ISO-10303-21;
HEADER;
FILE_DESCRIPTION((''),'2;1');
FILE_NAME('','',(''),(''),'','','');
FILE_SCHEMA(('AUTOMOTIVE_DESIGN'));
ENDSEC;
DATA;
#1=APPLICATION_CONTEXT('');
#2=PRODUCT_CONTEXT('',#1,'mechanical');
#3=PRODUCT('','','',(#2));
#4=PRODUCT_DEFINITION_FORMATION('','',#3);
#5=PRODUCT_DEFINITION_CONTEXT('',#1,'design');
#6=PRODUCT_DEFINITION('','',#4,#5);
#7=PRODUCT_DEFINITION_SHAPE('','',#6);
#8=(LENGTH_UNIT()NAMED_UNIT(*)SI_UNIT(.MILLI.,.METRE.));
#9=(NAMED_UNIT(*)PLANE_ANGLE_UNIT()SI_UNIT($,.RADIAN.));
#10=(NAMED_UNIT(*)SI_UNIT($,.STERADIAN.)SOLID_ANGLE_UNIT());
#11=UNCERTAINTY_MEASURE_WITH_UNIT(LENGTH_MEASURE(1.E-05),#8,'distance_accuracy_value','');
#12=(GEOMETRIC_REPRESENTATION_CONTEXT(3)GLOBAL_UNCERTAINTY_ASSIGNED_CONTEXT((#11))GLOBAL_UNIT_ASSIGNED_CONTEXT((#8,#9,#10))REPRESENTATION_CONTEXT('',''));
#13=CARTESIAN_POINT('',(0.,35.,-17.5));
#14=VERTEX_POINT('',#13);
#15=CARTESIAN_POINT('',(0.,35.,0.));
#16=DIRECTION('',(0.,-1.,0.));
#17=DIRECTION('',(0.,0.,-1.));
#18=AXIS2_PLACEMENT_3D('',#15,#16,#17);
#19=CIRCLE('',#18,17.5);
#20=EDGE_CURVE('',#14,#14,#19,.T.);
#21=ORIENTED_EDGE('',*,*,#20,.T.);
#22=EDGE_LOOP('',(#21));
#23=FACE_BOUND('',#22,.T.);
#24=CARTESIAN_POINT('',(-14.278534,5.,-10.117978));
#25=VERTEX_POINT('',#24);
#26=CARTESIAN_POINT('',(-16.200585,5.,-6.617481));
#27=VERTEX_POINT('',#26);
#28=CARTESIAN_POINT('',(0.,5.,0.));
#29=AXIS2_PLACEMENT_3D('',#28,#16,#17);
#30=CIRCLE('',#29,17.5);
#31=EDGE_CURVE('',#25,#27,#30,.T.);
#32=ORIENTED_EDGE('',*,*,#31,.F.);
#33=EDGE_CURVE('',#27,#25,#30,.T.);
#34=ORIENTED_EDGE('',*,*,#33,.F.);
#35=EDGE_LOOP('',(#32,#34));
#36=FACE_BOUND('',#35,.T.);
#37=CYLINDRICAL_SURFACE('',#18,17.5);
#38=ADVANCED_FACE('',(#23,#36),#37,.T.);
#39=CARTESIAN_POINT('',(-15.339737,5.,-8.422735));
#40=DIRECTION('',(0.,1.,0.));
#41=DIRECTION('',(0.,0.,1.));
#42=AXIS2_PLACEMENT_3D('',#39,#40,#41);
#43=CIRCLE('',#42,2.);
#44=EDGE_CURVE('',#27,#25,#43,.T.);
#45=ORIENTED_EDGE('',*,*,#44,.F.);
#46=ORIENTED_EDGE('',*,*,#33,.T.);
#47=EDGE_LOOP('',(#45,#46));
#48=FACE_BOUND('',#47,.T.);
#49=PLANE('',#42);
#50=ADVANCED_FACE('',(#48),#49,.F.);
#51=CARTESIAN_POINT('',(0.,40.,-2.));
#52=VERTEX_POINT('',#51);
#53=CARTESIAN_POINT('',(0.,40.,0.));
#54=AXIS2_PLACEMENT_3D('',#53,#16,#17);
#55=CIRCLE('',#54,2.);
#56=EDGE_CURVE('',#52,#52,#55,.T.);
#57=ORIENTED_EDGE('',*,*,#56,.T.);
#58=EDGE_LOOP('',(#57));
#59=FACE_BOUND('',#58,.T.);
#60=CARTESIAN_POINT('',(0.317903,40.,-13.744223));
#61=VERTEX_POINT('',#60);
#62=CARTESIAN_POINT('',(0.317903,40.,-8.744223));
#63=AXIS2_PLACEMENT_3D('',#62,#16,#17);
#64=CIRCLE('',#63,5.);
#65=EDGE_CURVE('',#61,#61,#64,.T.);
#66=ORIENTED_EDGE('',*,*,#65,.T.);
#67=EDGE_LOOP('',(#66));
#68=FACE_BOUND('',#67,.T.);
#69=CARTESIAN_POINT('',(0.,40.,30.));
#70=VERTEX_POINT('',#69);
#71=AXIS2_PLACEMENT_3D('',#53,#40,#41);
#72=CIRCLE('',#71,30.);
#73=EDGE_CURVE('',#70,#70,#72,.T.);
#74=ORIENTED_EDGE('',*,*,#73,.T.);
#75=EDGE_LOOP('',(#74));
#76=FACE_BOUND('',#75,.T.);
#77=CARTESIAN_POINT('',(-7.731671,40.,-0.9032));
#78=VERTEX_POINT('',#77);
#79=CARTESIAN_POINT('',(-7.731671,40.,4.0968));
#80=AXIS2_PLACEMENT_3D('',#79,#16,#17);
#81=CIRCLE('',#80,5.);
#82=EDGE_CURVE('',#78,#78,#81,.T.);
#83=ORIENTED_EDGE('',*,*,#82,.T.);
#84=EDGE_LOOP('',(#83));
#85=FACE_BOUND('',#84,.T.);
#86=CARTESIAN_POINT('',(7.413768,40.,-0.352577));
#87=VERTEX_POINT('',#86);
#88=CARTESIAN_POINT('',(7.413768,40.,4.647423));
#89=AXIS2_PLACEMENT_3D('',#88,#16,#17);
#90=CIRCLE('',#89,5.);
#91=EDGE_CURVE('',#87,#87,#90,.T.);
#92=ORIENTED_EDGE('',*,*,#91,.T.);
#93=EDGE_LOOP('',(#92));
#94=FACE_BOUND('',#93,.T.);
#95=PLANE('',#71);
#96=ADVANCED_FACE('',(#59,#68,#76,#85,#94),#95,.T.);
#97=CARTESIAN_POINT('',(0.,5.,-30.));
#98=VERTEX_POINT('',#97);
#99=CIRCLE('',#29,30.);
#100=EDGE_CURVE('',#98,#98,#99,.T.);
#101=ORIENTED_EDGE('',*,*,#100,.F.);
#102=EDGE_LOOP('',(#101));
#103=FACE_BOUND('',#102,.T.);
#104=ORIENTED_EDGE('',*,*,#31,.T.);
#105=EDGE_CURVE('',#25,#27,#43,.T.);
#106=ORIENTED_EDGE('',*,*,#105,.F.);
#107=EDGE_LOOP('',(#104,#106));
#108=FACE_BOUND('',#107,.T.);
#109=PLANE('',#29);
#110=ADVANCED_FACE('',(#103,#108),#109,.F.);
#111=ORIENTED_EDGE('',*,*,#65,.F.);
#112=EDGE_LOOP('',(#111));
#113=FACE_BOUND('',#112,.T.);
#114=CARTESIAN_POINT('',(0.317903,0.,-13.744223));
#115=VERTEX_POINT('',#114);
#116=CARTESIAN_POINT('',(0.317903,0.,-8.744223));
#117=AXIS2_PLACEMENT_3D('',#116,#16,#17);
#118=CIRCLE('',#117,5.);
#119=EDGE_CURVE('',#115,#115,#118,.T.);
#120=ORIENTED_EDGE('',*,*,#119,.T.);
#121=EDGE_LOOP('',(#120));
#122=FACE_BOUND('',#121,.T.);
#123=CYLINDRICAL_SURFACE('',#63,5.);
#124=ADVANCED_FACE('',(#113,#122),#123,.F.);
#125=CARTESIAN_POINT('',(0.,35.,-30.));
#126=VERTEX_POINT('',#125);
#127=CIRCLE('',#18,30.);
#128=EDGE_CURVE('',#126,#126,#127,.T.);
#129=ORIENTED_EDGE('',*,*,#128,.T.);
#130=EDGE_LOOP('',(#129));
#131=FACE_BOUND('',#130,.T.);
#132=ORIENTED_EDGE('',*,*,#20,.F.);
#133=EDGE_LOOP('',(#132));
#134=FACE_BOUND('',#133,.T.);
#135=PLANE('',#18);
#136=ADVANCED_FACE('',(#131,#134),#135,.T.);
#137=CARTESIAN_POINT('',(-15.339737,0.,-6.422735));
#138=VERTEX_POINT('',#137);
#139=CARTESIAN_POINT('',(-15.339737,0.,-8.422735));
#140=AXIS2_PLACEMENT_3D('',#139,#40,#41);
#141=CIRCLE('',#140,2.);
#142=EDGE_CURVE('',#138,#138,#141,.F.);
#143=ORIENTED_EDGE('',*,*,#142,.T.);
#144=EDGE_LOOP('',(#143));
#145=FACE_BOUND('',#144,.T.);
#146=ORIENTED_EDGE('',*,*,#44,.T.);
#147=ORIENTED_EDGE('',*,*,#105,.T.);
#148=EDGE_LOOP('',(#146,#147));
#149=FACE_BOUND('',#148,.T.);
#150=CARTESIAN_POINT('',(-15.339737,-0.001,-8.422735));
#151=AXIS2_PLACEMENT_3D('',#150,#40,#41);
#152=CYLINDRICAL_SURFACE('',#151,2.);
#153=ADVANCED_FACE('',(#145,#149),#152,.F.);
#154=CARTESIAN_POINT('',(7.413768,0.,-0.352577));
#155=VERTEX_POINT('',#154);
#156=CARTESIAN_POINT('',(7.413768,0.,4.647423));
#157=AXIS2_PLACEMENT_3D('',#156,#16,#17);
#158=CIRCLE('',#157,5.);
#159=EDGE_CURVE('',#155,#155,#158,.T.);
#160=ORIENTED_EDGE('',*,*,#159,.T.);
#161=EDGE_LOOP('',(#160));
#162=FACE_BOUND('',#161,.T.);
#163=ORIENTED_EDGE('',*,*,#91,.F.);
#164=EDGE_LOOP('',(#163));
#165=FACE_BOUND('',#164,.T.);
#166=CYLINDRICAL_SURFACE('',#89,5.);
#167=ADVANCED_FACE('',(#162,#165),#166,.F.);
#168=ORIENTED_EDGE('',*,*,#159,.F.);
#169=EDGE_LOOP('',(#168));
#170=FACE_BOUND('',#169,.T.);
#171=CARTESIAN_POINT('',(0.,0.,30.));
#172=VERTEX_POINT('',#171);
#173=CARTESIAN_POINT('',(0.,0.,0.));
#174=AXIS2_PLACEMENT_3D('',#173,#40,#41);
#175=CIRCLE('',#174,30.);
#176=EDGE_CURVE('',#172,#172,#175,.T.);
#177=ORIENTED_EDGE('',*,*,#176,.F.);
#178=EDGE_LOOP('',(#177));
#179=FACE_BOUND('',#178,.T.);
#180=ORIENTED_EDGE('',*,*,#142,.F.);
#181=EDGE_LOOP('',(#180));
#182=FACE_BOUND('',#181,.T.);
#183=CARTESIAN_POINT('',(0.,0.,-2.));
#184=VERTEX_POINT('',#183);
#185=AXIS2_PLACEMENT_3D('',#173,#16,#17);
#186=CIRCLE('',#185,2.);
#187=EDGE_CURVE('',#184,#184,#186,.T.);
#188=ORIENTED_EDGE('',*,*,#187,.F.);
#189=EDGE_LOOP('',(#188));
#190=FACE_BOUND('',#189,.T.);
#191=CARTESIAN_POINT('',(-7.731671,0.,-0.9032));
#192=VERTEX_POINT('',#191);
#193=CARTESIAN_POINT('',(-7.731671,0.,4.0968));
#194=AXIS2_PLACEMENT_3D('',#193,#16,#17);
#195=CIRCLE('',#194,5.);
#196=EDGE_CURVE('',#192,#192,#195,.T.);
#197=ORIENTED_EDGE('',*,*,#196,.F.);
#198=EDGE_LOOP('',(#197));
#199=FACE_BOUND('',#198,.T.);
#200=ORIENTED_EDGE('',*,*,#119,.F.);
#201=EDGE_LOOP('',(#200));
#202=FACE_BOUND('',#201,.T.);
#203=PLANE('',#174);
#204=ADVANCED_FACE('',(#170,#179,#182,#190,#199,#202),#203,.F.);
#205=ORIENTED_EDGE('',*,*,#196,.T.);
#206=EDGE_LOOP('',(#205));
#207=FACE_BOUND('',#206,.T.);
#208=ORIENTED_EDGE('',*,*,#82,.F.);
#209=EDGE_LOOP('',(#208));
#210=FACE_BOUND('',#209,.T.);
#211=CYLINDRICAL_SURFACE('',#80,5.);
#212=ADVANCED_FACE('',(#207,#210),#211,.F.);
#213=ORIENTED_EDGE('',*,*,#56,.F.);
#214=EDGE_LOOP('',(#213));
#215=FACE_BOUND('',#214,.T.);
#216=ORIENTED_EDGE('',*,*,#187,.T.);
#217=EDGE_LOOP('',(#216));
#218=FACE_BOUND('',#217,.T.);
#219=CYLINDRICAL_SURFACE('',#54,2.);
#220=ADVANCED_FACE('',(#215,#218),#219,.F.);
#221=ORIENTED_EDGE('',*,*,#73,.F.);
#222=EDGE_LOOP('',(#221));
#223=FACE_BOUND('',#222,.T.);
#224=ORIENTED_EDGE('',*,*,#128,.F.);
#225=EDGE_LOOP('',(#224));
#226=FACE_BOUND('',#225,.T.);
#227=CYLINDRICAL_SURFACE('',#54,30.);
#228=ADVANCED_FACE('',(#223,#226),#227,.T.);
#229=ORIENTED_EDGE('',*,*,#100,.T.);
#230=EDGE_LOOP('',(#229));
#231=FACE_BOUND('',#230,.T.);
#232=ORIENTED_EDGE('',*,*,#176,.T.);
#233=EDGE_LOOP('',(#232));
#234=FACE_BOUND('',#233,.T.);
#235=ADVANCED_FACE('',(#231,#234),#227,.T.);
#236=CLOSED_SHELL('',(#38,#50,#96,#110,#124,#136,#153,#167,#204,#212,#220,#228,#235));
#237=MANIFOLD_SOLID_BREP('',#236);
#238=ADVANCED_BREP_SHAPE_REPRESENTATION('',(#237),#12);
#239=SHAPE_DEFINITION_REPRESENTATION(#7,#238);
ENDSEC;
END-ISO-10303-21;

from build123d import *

# Parameters (mm, degrees)
SKETCH1_R           = 30
BOSS_EXTRUDE1_DEPTH = 40
CUT_EXTRUDE1_START  = -5
SKETCH2_OUTSIDE_W   = 80.762
SKETCH2_OUTSIDE_H   = 80.762
SKETCH2_OUTSIDE_R   = 17.5
CUT_EXTRUDE1_DEPTH  = 30
SKETCH3_R           = 2
CUT_EXTRUDE2_DEPTH  = 59.309518948
SKETCH4_R           = 5
CUT_EXTRUDE3_DEPTH  = 59.309518948
CUT_EXTRUDE4_REACH  = 57
SKETCH5_R           = 2


with BuildPart() as part:
    # Sketch1 → Boss-Extrude1 (new body)
    with BuildSketch(Plane(origin=(0, 0, 0), x_dir=(1, 0, 0), z_dir=(0, 1, 0))):
        Circle(SKETCH1_R)
    extrude(amount=BOSS_EXTRUDE1_DEPTH)

    # Sketch2 outside → Cut-Extrude1 (cut)
    with BuildSketch(Plane.XZ.offset(CUT_EXTRUDE1_START)):
        Rectangle(SKETCH2_OUTSIDE_W, SKETCH2_OUTSIDE_H)
        Circle(SKETCH2_OUTSIDE_R, mode=Mode.SUBTRACT)
    extrude(amount=-CUT_EXTRUDE1_DEPTH, mode=Mode.SUBTRACT)

    # Sketch3 → Cut-Extrude2 (cut, through all)
    with BuildSketch(Plane.XZ):
        Circle(SKETCH3_R)
    extrude(amount=-CUT_EXTRUDE2_DEPTH, mode=Mode.SUBTRACT)

    # Sketch4 → Cut-Extrude3 (cut, through all)
    with BuildSketch(Plane.XZ):
        with Locations((0.317902702, -8.744223114)):
            Circle(SKETCH4_R)
        with Locations((-7.731670704, 4.096799742)):
            Circle(SKETCH4_R)
        with Locations((7.413768003, 4.647423373)):
            Circle(SKETCH4_R)
    extrude(amount=-CUT_EXTRUDE3_DEPTH, mode=Mode.SUBTRACT)

    # Sketch5 → Cut-Extrude4 (cut, up to next)
    with BuildSketch(Plane(origin=(0, 5, 0), x_dir=(1, 0, 0), z_dir=(0, 1, 0)), mode=Mode.PRIVATE) as cut_extrude4_sk1:
        with Locations((-15.339737127, 8.422734999)):
            Circle(SKETCH5_R)
    cut_extrude4_tool1 = extrude(cut_extrude4_sk1.sketch, amount=-CUT_EXTRUDE4_REACH, mode=Mode.PRIVATE) & part.part
    add(cut_extrude4_tool1.solids().sort_by_distance((-15.339737, 5, -8.422735))[0], mode=Mode.SUBTRACT)


solid = part.part
